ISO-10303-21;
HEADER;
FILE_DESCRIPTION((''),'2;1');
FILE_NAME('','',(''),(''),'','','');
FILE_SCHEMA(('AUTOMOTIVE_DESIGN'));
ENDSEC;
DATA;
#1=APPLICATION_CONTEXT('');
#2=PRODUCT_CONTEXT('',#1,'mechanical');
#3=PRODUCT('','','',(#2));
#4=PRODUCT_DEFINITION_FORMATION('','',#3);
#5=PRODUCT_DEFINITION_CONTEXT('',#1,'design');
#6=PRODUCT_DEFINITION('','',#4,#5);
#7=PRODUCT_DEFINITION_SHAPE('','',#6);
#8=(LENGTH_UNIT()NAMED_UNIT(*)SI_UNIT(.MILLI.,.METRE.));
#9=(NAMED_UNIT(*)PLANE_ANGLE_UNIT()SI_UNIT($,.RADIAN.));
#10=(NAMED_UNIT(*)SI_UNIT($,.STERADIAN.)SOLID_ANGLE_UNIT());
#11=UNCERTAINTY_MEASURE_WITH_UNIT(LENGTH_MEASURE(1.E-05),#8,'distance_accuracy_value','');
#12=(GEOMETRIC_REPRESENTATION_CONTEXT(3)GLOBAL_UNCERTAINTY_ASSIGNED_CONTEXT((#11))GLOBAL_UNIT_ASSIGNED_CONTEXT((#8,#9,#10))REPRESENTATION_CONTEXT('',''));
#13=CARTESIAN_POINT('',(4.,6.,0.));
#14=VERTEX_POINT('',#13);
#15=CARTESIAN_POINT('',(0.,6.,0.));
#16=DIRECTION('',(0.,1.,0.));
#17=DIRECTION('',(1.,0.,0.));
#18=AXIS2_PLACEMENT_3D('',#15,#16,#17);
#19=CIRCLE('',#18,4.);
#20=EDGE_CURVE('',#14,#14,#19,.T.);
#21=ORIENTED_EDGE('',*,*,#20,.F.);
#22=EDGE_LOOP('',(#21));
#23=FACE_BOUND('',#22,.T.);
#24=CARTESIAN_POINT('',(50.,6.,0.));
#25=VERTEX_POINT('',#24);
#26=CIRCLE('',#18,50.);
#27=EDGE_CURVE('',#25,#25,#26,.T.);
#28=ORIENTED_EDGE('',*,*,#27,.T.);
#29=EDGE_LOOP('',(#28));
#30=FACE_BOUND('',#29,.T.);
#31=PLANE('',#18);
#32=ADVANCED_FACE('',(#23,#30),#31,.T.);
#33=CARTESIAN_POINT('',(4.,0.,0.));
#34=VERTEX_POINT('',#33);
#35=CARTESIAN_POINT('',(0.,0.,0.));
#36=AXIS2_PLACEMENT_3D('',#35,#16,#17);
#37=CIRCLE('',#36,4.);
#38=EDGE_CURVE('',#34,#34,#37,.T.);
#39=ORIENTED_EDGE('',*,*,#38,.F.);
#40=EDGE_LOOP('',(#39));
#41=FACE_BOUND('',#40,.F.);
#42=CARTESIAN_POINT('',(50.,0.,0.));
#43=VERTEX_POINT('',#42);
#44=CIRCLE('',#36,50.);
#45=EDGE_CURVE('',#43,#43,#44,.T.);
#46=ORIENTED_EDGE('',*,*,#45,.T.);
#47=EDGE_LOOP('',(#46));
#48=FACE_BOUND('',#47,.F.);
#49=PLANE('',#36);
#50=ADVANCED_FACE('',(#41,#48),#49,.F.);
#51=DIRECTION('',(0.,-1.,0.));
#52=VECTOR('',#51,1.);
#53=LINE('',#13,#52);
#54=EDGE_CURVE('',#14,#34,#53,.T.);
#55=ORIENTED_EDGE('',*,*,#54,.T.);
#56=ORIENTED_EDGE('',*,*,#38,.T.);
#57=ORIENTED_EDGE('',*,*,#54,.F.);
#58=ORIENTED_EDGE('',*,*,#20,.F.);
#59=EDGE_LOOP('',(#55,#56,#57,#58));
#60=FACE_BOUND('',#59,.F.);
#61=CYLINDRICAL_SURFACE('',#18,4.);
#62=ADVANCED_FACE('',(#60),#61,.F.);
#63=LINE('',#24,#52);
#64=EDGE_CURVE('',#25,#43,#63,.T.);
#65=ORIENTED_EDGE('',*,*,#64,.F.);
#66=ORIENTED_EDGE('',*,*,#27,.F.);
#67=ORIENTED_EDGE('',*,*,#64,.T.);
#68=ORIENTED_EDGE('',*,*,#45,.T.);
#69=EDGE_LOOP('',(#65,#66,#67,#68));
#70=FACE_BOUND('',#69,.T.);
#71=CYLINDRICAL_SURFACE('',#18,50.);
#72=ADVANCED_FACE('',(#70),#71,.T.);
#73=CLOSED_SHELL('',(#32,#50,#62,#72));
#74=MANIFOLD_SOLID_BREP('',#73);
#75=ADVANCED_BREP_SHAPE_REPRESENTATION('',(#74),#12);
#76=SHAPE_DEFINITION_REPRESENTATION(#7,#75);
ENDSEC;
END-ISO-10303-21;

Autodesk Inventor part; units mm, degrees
ref_plane "YZ Plane" through (0, 0, 0) normal (1, 0, 0) x (0, 1, 0)
ref_plane "XZ Plane" through (0, 0, 0) normal (0, 1, 0) x (-1, 0, 0)
ref_plane "XY Plane" through (0, 0, 0) normal (0, 0, 1) x (1, 0, 0)
sketch "スケッチ1" plane through (0, 0, 0) normal (0, 1, 0) x (-1, 0, 0)
  circle A0 centre (0, 0) radius 25
  dimension "d0" = 50
extrude "押し出し1" add sketch "スケッチ1" along normal blind 6
sketch "スケッチ2" plane through (0, 6, 0) normal (0, 1, 0) x (1, 0, 0)
  circle A0 centre (0, 0) radius 4
  dimension "d3" = 8
extrude "押し出し2" cut sketch "スケッチ2" against normal blind 6
sketch "スケッチ3" plane through (0, 0, 0) normal (0, -1, 0) x (1, 0, 0)
  circle A0 centre (0, 0) radius 45
  circle A1 centre (0, 0) radius 4 projected
  circle A2 centre (0, 0) radius 25
  dimension "d6" = 90
  dimension "d7" = 50
extrude "押し出し3" add sketch "スケッチ3" against normal blind 6 contours A0
sketch "スケッチ4" plane through (0, 6, 0) normal (0, 1, 0) x (1, 0, 0)
  circle A0 centre (0, 0) radius 45
  circle A1 centre (0, 0) radius 50
  dimension "d10" = 90
  dimension "d11" = 100
extrude "押し出し4" add sketch "スケッチ4" against normal blind 6
properties part number "NHK_t0_3"
